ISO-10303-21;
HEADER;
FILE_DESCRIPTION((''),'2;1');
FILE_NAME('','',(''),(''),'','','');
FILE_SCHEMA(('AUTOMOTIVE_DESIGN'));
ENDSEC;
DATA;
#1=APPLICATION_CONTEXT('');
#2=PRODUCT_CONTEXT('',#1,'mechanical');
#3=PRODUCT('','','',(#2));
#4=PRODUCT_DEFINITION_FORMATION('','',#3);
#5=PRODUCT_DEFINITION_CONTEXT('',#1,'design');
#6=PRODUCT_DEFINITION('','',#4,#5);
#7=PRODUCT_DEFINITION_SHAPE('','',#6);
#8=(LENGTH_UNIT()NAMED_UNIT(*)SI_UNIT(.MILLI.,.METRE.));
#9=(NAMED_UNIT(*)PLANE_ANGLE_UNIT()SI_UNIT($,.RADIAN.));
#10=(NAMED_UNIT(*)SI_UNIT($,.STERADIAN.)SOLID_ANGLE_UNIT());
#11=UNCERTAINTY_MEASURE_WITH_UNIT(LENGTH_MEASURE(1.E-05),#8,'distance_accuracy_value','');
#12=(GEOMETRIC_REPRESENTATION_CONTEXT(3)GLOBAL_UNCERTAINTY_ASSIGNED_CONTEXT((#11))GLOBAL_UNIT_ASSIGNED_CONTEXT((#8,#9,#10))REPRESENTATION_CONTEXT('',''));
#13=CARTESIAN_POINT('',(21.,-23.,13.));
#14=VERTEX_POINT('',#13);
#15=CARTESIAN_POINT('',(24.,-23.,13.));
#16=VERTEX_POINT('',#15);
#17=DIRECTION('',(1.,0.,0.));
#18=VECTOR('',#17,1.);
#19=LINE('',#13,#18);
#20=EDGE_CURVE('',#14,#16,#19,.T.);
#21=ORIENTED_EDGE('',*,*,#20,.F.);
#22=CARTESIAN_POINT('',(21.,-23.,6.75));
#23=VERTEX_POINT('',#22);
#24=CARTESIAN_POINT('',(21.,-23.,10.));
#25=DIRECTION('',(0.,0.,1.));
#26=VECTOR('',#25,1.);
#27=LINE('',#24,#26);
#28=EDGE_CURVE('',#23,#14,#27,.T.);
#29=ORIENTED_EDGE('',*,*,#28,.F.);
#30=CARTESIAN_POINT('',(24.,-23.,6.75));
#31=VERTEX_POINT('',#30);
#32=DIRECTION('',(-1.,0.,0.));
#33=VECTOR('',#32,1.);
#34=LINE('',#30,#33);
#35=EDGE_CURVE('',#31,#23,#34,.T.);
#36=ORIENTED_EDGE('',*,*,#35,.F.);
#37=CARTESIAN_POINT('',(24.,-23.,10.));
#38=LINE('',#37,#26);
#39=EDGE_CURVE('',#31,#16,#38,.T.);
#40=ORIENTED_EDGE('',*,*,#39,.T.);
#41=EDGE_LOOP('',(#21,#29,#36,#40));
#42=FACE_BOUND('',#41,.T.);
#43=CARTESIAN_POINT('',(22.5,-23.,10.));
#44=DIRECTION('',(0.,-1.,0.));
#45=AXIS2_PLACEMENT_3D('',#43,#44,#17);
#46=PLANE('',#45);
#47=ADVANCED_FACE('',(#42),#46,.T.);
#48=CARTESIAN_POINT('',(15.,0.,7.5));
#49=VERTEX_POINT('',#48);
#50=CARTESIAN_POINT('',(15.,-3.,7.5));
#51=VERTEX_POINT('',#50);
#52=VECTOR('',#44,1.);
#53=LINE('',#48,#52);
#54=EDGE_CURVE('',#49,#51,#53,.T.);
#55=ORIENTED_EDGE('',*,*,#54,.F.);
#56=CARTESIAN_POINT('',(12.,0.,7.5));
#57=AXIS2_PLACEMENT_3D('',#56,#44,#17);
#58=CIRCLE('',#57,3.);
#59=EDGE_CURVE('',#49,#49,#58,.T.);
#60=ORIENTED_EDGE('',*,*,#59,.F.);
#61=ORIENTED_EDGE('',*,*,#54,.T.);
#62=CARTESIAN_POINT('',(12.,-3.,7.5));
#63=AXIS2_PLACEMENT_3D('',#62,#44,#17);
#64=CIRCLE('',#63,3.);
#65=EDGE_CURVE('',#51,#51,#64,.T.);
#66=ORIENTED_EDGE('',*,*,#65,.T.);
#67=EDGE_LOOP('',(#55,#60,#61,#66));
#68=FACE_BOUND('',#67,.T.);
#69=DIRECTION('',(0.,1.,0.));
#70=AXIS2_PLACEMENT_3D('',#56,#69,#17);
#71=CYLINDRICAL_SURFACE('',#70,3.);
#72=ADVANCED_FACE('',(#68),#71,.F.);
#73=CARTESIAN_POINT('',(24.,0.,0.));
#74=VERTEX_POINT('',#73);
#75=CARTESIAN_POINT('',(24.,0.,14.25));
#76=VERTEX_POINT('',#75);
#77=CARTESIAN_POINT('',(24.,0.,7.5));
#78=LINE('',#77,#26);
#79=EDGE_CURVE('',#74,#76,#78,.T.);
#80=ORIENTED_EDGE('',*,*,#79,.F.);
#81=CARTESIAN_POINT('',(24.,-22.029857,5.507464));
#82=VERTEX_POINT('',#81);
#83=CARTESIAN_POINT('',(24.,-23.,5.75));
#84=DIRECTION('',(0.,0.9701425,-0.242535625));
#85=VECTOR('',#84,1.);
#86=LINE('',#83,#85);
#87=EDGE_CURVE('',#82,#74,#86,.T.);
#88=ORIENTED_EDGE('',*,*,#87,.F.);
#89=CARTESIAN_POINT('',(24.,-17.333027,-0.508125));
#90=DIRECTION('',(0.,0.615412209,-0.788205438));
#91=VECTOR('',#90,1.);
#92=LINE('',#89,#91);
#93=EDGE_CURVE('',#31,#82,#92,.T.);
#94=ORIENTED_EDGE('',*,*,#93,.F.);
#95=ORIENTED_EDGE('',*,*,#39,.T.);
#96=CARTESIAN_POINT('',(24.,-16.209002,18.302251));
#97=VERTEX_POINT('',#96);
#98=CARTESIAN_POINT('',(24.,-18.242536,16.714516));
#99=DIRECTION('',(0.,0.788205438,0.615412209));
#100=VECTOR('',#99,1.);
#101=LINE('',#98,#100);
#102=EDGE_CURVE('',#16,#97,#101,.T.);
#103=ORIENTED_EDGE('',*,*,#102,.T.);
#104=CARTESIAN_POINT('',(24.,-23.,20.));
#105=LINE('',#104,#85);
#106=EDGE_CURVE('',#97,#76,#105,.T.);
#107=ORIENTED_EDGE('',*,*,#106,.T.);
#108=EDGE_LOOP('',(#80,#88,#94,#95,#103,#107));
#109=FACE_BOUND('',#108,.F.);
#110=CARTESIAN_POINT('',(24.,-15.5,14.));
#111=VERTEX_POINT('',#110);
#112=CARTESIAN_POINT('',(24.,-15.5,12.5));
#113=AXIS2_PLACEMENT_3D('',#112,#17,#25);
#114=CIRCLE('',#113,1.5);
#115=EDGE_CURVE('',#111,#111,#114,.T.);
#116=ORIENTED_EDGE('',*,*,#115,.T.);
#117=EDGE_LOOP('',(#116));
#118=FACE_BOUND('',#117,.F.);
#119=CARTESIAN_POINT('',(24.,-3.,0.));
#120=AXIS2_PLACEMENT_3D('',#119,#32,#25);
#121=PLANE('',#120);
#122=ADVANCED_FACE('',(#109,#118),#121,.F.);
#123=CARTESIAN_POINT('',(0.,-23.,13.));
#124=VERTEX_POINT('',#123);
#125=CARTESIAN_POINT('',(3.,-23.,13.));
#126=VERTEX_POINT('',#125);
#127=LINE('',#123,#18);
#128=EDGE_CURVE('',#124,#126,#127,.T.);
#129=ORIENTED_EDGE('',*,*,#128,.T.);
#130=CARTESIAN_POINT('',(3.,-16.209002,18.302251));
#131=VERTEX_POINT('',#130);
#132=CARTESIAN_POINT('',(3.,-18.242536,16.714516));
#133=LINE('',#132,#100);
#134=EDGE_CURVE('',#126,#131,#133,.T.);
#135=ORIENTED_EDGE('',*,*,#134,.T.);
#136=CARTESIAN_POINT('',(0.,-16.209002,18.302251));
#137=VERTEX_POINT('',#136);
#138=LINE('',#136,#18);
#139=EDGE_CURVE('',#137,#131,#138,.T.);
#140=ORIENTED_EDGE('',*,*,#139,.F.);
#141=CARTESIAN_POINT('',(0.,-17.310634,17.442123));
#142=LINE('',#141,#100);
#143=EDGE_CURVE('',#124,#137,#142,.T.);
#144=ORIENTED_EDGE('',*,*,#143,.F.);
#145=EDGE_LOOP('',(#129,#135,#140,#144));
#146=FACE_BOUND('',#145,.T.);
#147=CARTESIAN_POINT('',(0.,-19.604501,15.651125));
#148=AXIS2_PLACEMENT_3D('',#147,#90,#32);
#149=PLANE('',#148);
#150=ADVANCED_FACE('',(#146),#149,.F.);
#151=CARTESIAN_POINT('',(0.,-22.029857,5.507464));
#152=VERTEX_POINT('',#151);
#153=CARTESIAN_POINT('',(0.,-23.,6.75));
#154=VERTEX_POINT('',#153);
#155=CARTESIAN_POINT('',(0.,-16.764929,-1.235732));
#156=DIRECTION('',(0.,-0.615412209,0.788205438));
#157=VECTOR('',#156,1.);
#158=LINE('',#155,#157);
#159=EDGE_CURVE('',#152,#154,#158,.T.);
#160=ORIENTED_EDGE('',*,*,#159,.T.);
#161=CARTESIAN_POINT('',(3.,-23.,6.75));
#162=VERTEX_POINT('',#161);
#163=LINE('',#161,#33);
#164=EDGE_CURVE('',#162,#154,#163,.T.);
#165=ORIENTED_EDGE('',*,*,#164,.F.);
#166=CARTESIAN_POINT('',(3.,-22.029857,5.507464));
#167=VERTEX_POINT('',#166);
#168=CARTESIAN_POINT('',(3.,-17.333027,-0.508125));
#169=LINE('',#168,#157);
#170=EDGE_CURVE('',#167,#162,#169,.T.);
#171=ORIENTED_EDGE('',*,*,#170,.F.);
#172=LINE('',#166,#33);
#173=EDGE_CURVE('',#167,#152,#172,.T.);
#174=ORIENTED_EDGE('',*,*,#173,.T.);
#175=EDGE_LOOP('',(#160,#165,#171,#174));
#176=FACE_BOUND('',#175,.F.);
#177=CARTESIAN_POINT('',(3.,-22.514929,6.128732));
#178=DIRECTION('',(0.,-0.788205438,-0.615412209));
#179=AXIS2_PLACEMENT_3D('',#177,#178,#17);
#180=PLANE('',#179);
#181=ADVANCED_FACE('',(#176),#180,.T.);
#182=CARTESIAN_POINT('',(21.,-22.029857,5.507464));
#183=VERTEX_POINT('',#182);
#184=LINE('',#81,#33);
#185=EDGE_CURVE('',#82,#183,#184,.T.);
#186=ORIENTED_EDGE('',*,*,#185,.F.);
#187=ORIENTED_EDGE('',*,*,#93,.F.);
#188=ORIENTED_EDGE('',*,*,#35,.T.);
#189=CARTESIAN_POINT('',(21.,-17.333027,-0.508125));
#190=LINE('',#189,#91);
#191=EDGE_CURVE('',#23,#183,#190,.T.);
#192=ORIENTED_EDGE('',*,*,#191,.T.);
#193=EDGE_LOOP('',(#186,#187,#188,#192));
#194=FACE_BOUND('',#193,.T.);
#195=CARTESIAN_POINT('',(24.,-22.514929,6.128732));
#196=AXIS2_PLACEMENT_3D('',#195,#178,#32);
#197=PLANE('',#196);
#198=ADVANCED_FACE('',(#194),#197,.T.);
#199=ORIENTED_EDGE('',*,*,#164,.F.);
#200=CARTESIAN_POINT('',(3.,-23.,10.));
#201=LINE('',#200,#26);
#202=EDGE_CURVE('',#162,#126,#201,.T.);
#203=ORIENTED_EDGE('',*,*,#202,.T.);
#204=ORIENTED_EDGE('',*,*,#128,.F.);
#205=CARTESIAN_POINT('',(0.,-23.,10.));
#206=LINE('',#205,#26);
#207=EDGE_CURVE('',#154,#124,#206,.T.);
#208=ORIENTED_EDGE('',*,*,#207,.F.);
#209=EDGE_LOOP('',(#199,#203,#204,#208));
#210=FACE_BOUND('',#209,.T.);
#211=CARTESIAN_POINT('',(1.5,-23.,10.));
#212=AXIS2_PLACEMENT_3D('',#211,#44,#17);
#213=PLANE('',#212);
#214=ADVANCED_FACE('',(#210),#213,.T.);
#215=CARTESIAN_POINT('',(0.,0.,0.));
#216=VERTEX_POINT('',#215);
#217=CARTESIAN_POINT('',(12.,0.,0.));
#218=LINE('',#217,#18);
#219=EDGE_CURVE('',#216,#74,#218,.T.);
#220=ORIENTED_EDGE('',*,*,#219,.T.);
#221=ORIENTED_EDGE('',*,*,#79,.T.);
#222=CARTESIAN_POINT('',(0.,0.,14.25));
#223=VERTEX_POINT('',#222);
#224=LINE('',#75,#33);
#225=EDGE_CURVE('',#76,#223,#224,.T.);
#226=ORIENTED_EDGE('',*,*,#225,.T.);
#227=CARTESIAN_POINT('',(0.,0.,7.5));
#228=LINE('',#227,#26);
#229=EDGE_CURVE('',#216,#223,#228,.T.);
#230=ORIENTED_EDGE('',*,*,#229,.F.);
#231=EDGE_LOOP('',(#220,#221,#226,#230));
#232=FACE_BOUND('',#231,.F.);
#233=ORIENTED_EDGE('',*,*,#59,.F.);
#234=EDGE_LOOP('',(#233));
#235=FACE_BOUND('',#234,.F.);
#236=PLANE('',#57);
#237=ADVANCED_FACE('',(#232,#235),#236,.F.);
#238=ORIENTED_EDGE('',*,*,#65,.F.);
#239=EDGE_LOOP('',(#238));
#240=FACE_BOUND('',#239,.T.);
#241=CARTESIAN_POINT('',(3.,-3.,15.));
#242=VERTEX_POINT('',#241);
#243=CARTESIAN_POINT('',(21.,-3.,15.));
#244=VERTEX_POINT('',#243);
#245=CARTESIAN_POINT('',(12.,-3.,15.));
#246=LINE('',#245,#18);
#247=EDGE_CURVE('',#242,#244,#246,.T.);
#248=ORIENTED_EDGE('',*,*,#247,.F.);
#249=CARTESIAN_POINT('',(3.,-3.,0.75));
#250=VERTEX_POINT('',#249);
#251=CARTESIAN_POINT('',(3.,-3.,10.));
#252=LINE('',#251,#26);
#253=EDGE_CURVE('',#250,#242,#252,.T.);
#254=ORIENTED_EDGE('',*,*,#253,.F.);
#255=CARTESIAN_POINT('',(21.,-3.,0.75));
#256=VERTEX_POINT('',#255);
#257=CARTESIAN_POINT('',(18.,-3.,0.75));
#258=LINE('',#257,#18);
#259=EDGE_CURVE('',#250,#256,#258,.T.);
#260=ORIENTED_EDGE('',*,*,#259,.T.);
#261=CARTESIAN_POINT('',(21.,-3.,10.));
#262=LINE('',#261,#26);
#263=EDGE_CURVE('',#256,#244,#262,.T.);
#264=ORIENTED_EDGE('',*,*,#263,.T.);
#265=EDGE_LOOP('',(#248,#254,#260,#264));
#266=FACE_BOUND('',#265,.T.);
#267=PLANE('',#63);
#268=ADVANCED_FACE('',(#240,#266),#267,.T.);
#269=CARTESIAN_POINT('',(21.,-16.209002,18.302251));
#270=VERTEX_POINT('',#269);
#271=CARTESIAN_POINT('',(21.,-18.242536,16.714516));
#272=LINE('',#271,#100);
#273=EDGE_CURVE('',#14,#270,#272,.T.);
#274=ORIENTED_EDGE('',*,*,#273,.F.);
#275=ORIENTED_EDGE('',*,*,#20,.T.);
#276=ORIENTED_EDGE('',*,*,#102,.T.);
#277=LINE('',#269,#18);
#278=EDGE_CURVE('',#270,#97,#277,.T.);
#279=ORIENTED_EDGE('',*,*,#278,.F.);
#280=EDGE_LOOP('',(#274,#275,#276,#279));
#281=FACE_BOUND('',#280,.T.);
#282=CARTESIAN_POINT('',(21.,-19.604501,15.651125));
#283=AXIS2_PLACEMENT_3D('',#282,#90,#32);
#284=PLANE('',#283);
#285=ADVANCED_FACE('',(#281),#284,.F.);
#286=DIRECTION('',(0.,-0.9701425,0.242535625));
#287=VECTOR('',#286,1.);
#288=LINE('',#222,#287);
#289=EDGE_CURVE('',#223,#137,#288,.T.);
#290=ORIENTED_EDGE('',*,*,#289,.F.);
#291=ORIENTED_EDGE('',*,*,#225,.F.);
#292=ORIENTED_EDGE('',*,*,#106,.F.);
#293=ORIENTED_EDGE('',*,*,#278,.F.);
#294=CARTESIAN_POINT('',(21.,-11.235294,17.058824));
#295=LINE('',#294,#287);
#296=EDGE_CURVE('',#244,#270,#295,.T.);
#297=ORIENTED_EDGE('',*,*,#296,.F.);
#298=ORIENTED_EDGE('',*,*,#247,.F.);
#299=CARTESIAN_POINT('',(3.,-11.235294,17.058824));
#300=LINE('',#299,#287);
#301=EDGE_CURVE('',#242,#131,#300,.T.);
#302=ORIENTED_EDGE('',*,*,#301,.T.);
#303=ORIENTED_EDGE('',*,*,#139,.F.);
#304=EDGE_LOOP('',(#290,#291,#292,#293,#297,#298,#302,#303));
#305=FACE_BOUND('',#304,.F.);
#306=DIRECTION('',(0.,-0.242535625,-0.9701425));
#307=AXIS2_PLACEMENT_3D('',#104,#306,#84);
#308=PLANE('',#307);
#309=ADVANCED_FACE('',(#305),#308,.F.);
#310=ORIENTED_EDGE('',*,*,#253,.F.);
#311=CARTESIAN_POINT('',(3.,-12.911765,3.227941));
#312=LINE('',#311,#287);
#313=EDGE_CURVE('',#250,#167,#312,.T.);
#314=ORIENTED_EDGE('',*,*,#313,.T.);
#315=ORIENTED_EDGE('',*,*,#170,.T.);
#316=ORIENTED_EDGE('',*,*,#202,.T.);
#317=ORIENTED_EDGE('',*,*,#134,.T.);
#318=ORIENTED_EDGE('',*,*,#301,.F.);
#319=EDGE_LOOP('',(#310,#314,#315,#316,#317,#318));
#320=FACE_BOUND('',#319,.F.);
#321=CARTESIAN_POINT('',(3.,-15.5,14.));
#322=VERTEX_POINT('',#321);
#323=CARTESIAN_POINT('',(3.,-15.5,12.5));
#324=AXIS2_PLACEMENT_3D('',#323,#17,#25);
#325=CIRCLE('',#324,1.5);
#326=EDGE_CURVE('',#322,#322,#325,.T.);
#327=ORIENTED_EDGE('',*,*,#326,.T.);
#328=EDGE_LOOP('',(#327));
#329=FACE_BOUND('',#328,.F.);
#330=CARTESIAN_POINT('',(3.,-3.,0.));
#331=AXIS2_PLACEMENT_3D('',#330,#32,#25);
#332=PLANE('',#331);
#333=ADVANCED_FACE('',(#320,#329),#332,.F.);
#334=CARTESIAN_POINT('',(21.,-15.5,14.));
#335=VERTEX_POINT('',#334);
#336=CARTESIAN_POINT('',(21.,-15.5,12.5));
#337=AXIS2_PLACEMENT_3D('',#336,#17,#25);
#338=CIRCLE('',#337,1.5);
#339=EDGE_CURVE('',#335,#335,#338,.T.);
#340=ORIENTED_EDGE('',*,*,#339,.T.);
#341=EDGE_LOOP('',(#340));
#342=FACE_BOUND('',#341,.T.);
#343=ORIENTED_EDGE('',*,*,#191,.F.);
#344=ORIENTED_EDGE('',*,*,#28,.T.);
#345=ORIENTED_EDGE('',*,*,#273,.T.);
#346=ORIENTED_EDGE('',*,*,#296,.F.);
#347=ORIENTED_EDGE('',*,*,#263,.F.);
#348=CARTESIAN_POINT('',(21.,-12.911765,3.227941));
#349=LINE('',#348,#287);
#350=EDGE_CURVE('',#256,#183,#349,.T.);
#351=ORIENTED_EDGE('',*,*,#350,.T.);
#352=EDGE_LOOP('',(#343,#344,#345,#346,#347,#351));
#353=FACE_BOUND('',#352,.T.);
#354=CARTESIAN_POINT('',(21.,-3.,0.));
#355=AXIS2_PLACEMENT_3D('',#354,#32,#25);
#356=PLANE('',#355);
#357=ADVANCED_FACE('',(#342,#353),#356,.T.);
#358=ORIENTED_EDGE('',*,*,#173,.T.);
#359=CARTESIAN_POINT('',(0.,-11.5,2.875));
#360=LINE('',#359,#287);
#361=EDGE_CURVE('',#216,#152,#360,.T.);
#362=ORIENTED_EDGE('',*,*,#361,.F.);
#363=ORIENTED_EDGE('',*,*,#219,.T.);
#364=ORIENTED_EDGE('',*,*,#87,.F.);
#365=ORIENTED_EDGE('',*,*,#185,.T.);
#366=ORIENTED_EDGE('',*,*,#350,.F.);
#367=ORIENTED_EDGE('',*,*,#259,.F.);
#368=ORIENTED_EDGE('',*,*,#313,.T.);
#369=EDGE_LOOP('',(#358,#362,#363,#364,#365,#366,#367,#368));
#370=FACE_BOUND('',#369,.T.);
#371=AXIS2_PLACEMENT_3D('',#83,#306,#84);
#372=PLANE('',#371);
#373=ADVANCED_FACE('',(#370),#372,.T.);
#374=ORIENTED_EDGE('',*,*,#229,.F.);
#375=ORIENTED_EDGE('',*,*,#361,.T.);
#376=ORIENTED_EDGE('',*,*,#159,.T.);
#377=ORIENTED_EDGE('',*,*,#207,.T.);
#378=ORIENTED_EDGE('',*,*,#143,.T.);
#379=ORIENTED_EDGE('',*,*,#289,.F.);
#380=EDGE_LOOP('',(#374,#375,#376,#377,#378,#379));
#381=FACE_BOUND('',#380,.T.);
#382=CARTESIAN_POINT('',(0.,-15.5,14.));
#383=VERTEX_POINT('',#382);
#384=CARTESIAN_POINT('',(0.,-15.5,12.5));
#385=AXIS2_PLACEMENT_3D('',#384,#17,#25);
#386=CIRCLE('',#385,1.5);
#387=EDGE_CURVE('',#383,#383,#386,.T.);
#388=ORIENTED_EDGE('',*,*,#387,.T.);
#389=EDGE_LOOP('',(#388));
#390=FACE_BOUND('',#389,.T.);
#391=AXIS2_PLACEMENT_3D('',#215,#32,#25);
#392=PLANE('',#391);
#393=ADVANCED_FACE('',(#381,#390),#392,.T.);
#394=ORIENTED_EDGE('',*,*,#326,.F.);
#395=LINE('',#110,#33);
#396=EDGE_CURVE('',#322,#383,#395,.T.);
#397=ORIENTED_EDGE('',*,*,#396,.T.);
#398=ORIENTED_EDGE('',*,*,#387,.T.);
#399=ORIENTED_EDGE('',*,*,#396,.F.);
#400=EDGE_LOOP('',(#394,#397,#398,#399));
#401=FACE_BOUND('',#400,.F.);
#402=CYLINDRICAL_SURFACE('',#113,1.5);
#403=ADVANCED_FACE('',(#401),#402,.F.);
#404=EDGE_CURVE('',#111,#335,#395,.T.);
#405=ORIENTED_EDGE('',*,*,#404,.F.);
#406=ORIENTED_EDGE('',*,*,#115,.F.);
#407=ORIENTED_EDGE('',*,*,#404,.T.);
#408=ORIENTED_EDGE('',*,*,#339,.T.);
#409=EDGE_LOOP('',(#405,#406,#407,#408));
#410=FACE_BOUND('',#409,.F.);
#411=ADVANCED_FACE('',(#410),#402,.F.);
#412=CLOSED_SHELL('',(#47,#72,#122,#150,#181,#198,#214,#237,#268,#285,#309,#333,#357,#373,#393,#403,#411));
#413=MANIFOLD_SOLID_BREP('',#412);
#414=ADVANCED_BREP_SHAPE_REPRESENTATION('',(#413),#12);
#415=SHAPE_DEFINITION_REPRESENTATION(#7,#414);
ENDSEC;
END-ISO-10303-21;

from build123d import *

# Parameters (mm, degrees)
SKETCH_W        = 24
SKETCH_H        = 15
SKETCH_R        = 3
PAD_DEPTH       = 3
SKETCH001_W     = 3
SKETCH001_H     = 20
PAD001_DEPTH    = 20
SKETCH002_R     = 1.5
POCKET_DEPTH    = 24.001
CHAMFER_SIZE    = 7
CHAMFER001_SIZE = 1


with BuildPart() as part:
    # Sketch → Pad (new body)
    with BuildSketch(Plane.XZ):
        with Locations((12, 7.5)):
            Rectangle(SKETCH_W, SKETCH_H)
        with Locations((12, 7.5)):
            Circle(SKETCH_R, mode=Mode.SUBTRACT)
    extrude(amount=PAD_DEPTH)

    # Sketch001 (on Face7 of Pad) → Pad001 (join)
    with BuildSketch(Plane.XZ.offset(3)):
        with Locations((22.5, 10)):
            Rectangle(SKETCH001_W, SKETCH001_H)
        with Locations((1.5, 10)):
            Rectangle(SKETCH001_W, SKETCH001_H)
    extrude(amount=PAD001_DEPTH)

    # Sketch002 (on Face10 of Pad001) → Pocket (cut, through all)
    with BuildSketch(Plane(origin=(24, 0, 0), x_dir=(0, 0, 1), z_dir=(1, 0, 0))):
        with Locations((12.5, 15.5)):
            Circle(SKETCH002_R)
        Polygon((20, 23), (14.25, 0), (20, 0), align=None)
        Polygon((0, 23), (5.75, 23), (0, 0), align=None)
    extrude(amount=-POCKET_DEPTH, mode=Mode.SUBTRACT)

    # Chamfer
    chamfer_edges = [part.edges().sort_by_distance(p)[0] for p in [
        (1.5, -23, 20),
        (22.5, -23, 20),
    ]]
    chamfer(chamfer_edges, length=CHAMFER_SIZE)

    # Chamfer001
    chamfer001_edges = [part.edges().sort_by_distance(p)[0] for p in [
        (22.5, -23, 5.75),
        (1.5, -23, 5.75),
    ]]
    chamfer(chamfer001_edges, length=CHAMFER001_SIZE)


solid = part.part
